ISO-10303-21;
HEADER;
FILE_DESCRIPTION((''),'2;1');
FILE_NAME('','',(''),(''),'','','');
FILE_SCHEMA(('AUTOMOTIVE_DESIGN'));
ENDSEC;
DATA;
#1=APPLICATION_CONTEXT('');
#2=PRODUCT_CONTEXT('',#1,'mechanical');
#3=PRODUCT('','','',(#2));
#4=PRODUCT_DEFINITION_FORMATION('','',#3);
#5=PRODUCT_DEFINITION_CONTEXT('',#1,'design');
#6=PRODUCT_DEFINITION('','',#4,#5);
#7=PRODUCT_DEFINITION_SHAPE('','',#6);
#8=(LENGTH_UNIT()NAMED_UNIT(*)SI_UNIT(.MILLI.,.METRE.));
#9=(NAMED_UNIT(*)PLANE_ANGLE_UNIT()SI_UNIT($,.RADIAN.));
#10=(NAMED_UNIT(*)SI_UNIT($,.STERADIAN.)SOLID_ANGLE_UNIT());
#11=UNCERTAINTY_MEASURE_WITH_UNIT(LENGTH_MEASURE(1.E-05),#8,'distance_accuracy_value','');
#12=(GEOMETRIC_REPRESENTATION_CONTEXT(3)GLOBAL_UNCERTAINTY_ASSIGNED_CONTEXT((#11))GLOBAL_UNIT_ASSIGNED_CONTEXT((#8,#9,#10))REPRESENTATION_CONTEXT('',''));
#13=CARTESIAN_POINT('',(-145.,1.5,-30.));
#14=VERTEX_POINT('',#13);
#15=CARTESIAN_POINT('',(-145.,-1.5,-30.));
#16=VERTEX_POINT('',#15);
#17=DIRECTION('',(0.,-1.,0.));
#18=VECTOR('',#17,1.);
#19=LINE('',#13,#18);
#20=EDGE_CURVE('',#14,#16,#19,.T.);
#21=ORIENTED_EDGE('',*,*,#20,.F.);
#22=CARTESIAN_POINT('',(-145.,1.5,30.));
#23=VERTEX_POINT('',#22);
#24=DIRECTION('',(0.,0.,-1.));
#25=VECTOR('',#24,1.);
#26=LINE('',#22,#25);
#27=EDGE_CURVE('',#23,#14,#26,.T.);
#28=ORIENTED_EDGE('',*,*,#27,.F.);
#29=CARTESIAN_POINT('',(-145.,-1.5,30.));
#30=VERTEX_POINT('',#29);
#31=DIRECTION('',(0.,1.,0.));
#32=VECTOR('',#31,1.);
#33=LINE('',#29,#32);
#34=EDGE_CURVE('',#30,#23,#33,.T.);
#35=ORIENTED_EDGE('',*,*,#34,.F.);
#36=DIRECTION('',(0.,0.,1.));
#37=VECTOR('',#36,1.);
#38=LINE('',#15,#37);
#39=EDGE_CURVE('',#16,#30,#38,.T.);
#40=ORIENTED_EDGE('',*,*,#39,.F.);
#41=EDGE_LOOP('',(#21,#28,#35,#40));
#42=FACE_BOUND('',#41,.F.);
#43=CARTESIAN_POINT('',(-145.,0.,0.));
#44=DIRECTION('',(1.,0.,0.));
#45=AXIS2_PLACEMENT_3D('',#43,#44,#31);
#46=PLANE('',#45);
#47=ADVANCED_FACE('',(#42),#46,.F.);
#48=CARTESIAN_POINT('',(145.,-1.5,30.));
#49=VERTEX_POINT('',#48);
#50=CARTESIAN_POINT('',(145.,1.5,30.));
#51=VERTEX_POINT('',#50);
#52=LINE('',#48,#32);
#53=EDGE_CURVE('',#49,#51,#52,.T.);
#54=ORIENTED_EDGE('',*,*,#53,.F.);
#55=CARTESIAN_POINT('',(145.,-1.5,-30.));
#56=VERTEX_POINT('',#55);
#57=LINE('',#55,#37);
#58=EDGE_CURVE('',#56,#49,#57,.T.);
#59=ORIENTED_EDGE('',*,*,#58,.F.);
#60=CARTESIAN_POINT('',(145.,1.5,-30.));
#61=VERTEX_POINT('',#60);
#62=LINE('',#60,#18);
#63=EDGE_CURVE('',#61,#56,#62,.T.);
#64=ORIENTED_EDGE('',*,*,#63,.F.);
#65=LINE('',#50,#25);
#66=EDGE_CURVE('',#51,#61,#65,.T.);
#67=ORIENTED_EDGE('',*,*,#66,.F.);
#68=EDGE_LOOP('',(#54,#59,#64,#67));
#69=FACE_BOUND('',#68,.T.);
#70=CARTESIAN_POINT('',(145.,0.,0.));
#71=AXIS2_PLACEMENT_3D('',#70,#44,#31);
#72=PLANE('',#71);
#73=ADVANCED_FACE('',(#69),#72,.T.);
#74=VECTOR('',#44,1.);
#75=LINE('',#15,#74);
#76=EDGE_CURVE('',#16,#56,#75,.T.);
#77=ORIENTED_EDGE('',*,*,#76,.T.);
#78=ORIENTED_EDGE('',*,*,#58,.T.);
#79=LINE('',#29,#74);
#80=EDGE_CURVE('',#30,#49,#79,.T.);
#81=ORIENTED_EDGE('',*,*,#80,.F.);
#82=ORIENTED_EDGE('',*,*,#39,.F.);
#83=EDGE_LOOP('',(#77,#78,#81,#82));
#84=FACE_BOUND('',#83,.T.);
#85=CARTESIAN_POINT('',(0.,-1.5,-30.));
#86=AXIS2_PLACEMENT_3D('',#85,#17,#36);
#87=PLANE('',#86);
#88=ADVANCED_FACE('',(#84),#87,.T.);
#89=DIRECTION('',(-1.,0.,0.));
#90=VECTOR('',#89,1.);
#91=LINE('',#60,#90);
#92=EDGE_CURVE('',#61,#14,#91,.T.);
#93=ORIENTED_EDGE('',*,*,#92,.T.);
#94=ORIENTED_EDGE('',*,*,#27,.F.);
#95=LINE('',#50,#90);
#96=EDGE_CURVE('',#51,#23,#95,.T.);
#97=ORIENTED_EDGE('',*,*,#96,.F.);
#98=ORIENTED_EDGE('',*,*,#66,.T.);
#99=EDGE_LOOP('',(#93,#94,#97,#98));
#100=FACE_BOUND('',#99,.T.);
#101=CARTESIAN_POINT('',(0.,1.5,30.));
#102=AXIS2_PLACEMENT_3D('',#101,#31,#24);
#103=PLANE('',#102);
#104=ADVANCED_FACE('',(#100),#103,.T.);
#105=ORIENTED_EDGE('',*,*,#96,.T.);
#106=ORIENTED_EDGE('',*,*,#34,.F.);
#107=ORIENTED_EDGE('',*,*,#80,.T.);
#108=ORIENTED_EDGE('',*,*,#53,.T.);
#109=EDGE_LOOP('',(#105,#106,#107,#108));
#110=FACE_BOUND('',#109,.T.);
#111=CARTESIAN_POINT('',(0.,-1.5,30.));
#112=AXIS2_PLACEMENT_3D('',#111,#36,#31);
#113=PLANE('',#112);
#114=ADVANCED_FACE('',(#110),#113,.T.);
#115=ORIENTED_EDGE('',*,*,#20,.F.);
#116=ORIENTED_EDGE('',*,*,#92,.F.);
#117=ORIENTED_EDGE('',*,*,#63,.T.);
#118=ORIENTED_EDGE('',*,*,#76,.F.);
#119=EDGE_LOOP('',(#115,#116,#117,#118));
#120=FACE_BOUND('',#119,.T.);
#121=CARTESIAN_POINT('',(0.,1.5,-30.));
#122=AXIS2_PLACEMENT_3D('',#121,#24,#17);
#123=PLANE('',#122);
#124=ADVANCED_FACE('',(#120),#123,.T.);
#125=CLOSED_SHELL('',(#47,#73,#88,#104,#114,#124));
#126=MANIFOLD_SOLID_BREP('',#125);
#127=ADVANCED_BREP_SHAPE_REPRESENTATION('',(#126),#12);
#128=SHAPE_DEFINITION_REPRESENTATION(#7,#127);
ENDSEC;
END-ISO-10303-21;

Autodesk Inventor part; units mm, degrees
ref_plane "YZ Plane" through (0, 0, 0) normal (1, 0, 0) x (0, 1, 0)
ref_plane "XZ Plane" through (0, 0, 0) normal (0, 1, 0) x (-1, 0, 0)
ref_plane "XY Plane" through (0, 0, 0) normal (0, 0, 1) x (1, 0, 0)
sketch "Sketch1" plane through (0, 0, 0) normal (1, 0, 0) x (0, 1, 0)
  line L0 (-1.5, 30) -> (1.5, 30)
  line L1 (1.5, 30) -> (1.5, -30)
  line L2 (1.5, -30) -> (-1.5, -30)
  line L3 (-1.5, -30) -> (-1.5, 30)
  line L4 (-1.5, 30) -> (1.5, -30) construction
  line L5 (1.5, 30) -> (-1.5, -30) construction
  point P0 (0, 0)
  dimension "d0" = 3
  dimension "d1" = 60
extrude "Extrusion1" add sketch "Sketch1" along normal mid plane 290
properties part number "XaxisScaleMount"
